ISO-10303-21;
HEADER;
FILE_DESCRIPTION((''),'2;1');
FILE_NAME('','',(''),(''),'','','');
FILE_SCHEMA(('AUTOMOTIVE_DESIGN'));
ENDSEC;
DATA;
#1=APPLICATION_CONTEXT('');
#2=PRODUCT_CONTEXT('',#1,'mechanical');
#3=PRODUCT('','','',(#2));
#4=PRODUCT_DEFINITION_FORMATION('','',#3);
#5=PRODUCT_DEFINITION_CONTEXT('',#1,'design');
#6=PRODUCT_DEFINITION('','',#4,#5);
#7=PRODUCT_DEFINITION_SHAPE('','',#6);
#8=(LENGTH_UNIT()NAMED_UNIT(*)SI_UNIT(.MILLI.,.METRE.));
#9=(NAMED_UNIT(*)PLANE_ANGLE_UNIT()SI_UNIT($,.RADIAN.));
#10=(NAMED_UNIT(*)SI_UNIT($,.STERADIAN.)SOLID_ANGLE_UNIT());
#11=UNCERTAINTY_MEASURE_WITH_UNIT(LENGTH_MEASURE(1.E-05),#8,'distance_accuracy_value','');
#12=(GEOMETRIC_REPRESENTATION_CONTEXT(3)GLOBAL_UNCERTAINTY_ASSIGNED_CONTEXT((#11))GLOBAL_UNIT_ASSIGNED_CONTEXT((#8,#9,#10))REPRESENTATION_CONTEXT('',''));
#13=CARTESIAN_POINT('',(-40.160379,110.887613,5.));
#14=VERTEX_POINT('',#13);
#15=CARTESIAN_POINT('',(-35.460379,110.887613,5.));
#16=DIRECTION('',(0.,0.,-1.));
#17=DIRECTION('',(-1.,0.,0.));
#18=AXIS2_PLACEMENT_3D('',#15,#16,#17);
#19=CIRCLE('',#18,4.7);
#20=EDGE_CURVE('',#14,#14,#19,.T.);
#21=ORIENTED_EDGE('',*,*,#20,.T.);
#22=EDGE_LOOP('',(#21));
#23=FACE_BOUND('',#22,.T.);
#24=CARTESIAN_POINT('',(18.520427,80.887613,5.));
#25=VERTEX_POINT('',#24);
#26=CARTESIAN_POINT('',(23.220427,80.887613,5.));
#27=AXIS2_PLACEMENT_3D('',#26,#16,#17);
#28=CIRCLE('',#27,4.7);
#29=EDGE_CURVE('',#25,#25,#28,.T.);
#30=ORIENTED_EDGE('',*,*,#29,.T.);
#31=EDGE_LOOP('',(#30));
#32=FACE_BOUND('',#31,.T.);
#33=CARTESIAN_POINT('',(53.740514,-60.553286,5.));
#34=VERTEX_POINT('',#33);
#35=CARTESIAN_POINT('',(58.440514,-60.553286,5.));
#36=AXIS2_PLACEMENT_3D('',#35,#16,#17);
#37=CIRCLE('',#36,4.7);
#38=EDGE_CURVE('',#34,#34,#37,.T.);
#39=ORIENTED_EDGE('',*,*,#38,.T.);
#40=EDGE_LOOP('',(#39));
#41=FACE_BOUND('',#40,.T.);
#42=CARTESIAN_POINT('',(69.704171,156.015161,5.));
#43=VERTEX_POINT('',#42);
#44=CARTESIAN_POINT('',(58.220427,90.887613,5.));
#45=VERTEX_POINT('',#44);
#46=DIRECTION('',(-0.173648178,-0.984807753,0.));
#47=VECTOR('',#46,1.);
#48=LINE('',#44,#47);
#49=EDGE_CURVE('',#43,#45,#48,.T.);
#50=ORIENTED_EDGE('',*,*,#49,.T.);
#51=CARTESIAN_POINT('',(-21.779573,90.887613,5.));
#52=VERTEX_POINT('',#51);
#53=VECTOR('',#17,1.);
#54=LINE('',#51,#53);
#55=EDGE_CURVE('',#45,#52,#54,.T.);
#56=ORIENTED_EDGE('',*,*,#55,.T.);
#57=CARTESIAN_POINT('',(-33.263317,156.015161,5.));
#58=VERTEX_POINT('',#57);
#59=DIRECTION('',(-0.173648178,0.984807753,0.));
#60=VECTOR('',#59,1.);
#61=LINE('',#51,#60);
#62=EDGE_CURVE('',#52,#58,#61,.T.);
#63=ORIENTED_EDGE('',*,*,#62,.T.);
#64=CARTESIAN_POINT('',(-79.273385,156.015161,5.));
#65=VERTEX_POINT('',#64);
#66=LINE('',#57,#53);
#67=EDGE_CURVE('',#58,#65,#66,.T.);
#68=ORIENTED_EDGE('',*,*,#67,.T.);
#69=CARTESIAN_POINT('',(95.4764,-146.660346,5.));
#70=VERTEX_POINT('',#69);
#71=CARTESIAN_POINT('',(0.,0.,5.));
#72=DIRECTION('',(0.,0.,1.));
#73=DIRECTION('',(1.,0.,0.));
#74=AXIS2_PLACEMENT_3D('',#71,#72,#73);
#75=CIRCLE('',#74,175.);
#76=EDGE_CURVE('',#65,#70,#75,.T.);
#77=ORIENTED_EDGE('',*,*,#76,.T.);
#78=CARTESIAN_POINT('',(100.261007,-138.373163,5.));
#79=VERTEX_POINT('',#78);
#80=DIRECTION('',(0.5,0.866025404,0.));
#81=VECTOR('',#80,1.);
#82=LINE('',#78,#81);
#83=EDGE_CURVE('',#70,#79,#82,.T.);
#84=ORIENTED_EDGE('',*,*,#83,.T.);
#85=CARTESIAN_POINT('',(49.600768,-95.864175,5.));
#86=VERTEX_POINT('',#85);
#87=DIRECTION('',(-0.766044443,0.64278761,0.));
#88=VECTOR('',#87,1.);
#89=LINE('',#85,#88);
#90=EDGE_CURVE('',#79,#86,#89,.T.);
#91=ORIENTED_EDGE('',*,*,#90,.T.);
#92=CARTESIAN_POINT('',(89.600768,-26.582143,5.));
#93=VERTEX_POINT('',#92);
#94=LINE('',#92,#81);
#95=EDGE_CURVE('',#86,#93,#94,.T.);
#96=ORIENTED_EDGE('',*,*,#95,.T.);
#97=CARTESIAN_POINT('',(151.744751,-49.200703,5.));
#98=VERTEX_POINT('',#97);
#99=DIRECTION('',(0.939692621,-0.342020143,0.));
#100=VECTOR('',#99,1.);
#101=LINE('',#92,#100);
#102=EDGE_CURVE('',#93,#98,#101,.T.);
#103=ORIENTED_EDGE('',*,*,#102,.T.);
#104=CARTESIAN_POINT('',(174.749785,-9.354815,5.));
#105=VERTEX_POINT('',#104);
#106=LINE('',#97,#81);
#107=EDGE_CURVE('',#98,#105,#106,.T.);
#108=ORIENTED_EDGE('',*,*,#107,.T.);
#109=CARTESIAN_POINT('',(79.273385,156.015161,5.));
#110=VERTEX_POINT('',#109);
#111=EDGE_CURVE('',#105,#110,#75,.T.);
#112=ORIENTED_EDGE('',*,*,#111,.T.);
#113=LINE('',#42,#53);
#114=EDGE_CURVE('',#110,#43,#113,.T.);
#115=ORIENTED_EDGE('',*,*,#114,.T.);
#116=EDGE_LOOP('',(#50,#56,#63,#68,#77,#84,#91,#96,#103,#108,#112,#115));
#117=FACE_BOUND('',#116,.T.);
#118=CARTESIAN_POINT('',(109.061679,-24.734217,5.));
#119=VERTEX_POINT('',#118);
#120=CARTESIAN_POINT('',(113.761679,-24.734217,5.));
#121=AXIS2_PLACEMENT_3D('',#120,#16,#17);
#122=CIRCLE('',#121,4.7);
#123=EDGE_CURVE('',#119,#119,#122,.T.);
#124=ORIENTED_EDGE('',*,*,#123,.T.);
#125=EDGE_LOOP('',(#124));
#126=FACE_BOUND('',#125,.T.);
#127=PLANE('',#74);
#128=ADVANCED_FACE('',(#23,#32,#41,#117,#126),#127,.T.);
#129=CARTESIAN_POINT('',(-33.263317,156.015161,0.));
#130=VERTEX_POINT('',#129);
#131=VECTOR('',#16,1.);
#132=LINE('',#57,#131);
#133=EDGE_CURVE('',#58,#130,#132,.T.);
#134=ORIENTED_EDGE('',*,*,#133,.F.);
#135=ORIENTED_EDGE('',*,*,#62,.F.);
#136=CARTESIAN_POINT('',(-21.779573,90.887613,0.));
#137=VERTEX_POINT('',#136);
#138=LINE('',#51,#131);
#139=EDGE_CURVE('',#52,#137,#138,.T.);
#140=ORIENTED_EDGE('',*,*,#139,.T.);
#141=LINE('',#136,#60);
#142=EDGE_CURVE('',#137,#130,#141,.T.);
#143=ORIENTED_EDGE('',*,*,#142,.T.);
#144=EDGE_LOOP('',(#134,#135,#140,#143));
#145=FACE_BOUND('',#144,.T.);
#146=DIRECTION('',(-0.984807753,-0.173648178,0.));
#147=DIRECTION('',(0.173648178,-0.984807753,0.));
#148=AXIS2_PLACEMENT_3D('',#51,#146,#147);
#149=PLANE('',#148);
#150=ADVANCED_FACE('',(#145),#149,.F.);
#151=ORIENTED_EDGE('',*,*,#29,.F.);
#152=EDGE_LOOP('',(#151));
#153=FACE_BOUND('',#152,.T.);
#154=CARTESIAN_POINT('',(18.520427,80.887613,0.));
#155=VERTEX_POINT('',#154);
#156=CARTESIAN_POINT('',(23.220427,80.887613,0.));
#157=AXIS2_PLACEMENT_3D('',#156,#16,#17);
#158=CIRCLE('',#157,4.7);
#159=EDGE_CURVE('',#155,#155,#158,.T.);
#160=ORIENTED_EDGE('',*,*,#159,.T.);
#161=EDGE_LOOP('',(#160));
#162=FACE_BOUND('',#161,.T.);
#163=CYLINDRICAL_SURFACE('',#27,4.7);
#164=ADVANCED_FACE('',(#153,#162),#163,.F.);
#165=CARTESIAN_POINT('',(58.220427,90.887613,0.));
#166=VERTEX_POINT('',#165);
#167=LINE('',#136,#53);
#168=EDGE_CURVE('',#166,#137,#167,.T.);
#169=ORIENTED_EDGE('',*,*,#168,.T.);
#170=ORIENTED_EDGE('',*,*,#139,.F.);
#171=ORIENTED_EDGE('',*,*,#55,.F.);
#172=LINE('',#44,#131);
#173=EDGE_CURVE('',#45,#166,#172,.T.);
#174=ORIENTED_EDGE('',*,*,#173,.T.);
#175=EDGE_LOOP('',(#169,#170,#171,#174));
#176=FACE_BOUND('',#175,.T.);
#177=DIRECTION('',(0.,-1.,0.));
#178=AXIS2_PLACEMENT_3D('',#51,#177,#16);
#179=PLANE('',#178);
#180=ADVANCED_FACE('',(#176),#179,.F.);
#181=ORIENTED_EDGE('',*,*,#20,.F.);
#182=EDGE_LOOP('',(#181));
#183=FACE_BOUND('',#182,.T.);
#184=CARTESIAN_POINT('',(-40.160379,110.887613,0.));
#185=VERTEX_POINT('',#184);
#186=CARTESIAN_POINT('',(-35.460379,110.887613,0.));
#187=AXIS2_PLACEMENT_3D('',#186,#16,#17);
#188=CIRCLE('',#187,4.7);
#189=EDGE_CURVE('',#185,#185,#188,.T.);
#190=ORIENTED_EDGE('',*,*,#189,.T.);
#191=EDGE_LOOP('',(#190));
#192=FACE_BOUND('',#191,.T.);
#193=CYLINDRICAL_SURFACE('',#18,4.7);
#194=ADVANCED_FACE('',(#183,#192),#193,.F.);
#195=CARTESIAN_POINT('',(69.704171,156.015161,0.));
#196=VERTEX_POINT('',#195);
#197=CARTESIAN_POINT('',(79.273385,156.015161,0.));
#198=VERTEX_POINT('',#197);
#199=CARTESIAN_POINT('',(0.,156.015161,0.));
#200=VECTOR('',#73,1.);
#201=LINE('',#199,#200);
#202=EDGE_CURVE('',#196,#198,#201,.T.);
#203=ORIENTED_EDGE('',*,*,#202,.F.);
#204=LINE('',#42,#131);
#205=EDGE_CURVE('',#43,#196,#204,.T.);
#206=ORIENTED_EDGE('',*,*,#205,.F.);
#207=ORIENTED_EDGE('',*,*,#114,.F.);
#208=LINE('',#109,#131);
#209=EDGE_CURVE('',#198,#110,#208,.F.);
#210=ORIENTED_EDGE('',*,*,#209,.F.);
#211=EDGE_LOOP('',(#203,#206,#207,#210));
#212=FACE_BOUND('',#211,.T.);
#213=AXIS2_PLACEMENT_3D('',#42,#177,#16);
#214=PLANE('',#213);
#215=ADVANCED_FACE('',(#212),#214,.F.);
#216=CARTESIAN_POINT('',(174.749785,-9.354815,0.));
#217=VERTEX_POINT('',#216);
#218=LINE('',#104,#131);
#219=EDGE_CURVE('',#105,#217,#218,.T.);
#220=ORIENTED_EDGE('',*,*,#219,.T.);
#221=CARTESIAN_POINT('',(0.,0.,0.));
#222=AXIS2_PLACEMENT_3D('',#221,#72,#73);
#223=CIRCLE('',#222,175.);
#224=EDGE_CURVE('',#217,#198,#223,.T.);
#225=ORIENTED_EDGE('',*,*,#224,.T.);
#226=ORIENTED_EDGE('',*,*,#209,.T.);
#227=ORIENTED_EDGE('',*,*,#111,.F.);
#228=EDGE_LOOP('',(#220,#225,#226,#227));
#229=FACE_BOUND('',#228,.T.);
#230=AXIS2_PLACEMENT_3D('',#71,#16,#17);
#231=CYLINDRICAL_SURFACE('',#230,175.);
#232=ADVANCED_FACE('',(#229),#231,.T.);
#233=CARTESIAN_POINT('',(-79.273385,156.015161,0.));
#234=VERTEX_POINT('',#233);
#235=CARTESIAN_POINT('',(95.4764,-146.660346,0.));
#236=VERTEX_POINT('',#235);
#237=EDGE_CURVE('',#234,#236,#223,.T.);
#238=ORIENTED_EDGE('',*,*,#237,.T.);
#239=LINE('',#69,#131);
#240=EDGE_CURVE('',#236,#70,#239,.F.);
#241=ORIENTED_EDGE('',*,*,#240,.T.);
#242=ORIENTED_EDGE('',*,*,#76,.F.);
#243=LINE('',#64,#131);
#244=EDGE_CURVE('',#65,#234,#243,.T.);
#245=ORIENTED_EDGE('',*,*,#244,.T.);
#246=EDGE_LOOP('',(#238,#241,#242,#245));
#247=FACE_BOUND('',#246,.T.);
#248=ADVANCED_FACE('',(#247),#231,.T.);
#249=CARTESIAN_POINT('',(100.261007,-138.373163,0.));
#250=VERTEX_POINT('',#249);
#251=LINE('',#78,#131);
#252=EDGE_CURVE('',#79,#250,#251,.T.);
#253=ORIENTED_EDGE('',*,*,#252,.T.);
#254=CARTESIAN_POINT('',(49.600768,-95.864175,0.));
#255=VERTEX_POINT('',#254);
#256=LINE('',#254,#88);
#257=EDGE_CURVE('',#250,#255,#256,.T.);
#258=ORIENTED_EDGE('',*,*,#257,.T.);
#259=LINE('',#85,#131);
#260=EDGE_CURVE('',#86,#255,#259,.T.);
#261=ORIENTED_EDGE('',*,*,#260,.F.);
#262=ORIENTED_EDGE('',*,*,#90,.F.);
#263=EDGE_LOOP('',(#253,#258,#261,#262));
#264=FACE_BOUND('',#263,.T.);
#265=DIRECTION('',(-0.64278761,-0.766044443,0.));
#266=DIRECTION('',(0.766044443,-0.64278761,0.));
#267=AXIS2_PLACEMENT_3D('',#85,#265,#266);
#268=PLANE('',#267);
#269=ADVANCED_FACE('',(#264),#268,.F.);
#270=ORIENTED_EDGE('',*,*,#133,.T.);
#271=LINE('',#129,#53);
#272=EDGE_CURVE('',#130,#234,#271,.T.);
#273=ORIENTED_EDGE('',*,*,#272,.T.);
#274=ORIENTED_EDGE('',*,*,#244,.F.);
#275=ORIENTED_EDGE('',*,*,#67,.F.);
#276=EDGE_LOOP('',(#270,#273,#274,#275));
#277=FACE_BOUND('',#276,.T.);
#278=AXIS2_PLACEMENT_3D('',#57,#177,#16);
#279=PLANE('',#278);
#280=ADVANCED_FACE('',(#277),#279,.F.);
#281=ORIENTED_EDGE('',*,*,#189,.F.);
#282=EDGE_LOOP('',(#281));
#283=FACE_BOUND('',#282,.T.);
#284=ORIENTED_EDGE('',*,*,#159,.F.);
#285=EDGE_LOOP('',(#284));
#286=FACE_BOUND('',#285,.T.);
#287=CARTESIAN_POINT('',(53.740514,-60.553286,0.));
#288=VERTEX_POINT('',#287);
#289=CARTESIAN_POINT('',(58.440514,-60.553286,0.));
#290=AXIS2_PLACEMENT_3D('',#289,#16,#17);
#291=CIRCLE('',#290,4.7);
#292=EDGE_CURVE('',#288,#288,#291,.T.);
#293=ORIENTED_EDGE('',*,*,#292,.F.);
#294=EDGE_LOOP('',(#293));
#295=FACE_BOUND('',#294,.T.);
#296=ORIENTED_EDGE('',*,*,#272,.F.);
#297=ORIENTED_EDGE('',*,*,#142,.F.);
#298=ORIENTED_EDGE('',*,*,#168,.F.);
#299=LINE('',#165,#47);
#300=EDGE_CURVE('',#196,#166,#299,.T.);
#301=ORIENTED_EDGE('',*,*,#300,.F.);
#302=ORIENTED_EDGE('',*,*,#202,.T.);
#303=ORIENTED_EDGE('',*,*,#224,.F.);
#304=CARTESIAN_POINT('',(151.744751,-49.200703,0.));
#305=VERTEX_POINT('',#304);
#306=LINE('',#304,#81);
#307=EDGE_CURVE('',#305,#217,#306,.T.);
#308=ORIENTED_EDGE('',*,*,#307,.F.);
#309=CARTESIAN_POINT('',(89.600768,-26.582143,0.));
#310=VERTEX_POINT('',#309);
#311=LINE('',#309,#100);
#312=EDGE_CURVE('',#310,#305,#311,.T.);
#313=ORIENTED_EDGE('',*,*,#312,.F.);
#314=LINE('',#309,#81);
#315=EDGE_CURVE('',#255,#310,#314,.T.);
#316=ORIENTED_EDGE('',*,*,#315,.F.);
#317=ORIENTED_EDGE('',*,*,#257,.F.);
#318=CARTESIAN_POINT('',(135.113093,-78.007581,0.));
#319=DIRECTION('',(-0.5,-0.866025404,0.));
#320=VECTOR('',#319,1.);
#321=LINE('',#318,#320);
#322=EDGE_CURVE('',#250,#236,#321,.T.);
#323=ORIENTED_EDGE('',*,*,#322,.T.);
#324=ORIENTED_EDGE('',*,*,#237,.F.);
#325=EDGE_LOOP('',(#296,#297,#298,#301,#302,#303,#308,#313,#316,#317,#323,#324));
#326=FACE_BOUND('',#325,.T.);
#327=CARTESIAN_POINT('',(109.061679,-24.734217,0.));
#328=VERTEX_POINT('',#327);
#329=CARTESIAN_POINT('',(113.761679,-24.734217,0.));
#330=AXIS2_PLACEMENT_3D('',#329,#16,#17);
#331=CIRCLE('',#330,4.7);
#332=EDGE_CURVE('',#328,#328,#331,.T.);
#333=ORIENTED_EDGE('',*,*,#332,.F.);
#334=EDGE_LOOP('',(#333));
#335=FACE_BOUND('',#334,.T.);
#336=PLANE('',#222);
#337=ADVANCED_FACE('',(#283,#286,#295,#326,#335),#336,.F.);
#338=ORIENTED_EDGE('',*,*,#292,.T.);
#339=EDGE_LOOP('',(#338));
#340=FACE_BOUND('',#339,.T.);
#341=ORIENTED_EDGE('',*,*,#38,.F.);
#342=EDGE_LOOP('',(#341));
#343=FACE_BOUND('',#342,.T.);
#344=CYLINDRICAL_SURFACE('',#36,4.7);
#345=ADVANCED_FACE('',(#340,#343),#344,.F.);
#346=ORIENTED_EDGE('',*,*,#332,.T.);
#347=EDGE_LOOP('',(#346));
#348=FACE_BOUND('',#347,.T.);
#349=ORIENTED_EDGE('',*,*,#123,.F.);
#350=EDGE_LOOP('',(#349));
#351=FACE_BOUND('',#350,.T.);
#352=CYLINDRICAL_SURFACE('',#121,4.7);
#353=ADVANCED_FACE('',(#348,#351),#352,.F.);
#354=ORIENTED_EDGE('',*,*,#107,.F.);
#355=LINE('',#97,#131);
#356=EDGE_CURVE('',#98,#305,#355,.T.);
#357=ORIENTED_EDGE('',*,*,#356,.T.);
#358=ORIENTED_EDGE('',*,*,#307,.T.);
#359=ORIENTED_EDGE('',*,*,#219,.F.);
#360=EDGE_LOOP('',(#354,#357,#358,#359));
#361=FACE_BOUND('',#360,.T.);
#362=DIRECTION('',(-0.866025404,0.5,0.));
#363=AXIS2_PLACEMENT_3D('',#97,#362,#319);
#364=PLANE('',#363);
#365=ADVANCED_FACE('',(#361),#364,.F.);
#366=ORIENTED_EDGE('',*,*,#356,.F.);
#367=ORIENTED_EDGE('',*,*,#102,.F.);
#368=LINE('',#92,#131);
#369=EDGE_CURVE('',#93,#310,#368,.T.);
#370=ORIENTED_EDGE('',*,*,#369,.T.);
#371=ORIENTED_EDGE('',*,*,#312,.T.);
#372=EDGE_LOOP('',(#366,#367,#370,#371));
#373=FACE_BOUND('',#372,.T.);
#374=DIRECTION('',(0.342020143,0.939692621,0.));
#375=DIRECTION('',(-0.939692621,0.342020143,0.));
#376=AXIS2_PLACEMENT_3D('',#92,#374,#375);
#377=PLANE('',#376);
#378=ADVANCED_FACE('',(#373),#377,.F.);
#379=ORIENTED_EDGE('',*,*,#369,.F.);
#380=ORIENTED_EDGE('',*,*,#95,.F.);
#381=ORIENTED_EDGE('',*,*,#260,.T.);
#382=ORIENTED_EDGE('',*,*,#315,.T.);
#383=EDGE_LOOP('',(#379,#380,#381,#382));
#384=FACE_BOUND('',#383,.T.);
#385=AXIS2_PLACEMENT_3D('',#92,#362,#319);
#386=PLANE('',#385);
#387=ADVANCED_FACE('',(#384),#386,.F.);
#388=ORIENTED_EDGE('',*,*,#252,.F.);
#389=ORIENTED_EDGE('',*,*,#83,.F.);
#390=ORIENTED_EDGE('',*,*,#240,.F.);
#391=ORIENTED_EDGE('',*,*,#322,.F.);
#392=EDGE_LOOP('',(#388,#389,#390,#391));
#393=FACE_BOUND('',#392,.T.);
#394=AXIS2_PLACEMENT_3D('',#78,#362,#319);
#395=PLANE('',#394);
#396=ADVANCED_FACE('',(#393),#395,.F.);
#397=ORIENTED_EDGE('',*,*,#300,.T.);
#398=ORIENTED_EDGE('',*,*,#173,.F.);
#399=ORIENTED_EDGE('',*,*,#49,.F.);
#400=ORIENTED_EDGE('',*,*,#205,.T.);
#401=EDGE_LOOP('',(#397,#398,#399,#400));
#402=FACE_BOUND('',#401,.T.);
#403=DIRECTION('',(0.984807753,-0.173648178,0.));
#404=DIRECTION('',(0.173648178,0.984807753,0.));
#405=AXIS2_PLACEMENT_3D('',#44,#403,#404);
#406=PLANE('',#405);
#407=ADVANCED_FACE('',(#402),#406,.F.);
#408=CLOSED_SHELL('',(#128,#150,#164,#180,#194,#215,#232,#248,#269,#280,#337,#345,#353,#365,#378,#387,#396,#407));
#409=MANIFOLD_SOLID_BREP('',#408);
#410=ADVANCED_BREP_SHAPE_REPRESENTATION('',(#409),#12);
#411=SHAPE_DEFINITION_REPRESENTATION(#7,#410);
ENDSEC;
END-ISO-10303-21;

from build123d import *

# Parameters (mm, degrees)
ESQUISSE1_R             = 175
BOSS_EXTRU_1_DEPTH      = 5
ESQUISSE2_R             = 4.7
ENL_V_MAT_EXTRU_1_DEPTH = 5


with BuildPart() as part:
    # Esquisse1 → Boss.-Extru.1 (new body)
    with BuildSketch(Plane.XY):
        Circle(ESQUISSE1_R)
    extrude(amount=BOSS_EXTRU_1_DEPTH)

    # Esquisse2 → Enlèv. mat.-Extru.1 (cut)
    with BuildSketch(Plane(origin=(0, 0, 0), x_dir=(-1, 0, 0), z_dir=(0, 0, -1))):
        with Locations((-23.220426897, 80.887612711)):
            Circle(ESQUISSE2_R)
        with Locations((35.460378836, 110.887612711)):
            Circle(ESQUISSE2_R)
        with Locations((-58.440514011, -60.553285934)):
            Circle(ESQUISSE2_R)
        with Locations((-113.761678991, -24.734217455)):
            Circle(ESQUISSE2_R)
        Polygon((21.779573103, 90.887612711), (33.263317057, 156.015161015), (79.273384773, 156.015161015), (79.273384773, 185.246123659), (-115.714238566, 185.246123659), (-115.714238566, 156.015161015), (-69.70417085, 156.015161015), (-58.220426897, 90.887612711), align=None)
        Polygon((-89.600768048, -26.582142764), (-151.744751343, -49.200702922), (-174.749785201, -9.35481545), (-200.064541428, -23.970296772), (-102.570729758, -192.834532007), (-77.255973531, -178.219050686), (-100.26100739, -138.373163213), (-49.600768048, -95.864175067), align=None)
    extrude(amount=-ENL_V_MAT_EXTRU_1_DEPTH, mode=Mode.SUBTRACT)


solid = part.part
